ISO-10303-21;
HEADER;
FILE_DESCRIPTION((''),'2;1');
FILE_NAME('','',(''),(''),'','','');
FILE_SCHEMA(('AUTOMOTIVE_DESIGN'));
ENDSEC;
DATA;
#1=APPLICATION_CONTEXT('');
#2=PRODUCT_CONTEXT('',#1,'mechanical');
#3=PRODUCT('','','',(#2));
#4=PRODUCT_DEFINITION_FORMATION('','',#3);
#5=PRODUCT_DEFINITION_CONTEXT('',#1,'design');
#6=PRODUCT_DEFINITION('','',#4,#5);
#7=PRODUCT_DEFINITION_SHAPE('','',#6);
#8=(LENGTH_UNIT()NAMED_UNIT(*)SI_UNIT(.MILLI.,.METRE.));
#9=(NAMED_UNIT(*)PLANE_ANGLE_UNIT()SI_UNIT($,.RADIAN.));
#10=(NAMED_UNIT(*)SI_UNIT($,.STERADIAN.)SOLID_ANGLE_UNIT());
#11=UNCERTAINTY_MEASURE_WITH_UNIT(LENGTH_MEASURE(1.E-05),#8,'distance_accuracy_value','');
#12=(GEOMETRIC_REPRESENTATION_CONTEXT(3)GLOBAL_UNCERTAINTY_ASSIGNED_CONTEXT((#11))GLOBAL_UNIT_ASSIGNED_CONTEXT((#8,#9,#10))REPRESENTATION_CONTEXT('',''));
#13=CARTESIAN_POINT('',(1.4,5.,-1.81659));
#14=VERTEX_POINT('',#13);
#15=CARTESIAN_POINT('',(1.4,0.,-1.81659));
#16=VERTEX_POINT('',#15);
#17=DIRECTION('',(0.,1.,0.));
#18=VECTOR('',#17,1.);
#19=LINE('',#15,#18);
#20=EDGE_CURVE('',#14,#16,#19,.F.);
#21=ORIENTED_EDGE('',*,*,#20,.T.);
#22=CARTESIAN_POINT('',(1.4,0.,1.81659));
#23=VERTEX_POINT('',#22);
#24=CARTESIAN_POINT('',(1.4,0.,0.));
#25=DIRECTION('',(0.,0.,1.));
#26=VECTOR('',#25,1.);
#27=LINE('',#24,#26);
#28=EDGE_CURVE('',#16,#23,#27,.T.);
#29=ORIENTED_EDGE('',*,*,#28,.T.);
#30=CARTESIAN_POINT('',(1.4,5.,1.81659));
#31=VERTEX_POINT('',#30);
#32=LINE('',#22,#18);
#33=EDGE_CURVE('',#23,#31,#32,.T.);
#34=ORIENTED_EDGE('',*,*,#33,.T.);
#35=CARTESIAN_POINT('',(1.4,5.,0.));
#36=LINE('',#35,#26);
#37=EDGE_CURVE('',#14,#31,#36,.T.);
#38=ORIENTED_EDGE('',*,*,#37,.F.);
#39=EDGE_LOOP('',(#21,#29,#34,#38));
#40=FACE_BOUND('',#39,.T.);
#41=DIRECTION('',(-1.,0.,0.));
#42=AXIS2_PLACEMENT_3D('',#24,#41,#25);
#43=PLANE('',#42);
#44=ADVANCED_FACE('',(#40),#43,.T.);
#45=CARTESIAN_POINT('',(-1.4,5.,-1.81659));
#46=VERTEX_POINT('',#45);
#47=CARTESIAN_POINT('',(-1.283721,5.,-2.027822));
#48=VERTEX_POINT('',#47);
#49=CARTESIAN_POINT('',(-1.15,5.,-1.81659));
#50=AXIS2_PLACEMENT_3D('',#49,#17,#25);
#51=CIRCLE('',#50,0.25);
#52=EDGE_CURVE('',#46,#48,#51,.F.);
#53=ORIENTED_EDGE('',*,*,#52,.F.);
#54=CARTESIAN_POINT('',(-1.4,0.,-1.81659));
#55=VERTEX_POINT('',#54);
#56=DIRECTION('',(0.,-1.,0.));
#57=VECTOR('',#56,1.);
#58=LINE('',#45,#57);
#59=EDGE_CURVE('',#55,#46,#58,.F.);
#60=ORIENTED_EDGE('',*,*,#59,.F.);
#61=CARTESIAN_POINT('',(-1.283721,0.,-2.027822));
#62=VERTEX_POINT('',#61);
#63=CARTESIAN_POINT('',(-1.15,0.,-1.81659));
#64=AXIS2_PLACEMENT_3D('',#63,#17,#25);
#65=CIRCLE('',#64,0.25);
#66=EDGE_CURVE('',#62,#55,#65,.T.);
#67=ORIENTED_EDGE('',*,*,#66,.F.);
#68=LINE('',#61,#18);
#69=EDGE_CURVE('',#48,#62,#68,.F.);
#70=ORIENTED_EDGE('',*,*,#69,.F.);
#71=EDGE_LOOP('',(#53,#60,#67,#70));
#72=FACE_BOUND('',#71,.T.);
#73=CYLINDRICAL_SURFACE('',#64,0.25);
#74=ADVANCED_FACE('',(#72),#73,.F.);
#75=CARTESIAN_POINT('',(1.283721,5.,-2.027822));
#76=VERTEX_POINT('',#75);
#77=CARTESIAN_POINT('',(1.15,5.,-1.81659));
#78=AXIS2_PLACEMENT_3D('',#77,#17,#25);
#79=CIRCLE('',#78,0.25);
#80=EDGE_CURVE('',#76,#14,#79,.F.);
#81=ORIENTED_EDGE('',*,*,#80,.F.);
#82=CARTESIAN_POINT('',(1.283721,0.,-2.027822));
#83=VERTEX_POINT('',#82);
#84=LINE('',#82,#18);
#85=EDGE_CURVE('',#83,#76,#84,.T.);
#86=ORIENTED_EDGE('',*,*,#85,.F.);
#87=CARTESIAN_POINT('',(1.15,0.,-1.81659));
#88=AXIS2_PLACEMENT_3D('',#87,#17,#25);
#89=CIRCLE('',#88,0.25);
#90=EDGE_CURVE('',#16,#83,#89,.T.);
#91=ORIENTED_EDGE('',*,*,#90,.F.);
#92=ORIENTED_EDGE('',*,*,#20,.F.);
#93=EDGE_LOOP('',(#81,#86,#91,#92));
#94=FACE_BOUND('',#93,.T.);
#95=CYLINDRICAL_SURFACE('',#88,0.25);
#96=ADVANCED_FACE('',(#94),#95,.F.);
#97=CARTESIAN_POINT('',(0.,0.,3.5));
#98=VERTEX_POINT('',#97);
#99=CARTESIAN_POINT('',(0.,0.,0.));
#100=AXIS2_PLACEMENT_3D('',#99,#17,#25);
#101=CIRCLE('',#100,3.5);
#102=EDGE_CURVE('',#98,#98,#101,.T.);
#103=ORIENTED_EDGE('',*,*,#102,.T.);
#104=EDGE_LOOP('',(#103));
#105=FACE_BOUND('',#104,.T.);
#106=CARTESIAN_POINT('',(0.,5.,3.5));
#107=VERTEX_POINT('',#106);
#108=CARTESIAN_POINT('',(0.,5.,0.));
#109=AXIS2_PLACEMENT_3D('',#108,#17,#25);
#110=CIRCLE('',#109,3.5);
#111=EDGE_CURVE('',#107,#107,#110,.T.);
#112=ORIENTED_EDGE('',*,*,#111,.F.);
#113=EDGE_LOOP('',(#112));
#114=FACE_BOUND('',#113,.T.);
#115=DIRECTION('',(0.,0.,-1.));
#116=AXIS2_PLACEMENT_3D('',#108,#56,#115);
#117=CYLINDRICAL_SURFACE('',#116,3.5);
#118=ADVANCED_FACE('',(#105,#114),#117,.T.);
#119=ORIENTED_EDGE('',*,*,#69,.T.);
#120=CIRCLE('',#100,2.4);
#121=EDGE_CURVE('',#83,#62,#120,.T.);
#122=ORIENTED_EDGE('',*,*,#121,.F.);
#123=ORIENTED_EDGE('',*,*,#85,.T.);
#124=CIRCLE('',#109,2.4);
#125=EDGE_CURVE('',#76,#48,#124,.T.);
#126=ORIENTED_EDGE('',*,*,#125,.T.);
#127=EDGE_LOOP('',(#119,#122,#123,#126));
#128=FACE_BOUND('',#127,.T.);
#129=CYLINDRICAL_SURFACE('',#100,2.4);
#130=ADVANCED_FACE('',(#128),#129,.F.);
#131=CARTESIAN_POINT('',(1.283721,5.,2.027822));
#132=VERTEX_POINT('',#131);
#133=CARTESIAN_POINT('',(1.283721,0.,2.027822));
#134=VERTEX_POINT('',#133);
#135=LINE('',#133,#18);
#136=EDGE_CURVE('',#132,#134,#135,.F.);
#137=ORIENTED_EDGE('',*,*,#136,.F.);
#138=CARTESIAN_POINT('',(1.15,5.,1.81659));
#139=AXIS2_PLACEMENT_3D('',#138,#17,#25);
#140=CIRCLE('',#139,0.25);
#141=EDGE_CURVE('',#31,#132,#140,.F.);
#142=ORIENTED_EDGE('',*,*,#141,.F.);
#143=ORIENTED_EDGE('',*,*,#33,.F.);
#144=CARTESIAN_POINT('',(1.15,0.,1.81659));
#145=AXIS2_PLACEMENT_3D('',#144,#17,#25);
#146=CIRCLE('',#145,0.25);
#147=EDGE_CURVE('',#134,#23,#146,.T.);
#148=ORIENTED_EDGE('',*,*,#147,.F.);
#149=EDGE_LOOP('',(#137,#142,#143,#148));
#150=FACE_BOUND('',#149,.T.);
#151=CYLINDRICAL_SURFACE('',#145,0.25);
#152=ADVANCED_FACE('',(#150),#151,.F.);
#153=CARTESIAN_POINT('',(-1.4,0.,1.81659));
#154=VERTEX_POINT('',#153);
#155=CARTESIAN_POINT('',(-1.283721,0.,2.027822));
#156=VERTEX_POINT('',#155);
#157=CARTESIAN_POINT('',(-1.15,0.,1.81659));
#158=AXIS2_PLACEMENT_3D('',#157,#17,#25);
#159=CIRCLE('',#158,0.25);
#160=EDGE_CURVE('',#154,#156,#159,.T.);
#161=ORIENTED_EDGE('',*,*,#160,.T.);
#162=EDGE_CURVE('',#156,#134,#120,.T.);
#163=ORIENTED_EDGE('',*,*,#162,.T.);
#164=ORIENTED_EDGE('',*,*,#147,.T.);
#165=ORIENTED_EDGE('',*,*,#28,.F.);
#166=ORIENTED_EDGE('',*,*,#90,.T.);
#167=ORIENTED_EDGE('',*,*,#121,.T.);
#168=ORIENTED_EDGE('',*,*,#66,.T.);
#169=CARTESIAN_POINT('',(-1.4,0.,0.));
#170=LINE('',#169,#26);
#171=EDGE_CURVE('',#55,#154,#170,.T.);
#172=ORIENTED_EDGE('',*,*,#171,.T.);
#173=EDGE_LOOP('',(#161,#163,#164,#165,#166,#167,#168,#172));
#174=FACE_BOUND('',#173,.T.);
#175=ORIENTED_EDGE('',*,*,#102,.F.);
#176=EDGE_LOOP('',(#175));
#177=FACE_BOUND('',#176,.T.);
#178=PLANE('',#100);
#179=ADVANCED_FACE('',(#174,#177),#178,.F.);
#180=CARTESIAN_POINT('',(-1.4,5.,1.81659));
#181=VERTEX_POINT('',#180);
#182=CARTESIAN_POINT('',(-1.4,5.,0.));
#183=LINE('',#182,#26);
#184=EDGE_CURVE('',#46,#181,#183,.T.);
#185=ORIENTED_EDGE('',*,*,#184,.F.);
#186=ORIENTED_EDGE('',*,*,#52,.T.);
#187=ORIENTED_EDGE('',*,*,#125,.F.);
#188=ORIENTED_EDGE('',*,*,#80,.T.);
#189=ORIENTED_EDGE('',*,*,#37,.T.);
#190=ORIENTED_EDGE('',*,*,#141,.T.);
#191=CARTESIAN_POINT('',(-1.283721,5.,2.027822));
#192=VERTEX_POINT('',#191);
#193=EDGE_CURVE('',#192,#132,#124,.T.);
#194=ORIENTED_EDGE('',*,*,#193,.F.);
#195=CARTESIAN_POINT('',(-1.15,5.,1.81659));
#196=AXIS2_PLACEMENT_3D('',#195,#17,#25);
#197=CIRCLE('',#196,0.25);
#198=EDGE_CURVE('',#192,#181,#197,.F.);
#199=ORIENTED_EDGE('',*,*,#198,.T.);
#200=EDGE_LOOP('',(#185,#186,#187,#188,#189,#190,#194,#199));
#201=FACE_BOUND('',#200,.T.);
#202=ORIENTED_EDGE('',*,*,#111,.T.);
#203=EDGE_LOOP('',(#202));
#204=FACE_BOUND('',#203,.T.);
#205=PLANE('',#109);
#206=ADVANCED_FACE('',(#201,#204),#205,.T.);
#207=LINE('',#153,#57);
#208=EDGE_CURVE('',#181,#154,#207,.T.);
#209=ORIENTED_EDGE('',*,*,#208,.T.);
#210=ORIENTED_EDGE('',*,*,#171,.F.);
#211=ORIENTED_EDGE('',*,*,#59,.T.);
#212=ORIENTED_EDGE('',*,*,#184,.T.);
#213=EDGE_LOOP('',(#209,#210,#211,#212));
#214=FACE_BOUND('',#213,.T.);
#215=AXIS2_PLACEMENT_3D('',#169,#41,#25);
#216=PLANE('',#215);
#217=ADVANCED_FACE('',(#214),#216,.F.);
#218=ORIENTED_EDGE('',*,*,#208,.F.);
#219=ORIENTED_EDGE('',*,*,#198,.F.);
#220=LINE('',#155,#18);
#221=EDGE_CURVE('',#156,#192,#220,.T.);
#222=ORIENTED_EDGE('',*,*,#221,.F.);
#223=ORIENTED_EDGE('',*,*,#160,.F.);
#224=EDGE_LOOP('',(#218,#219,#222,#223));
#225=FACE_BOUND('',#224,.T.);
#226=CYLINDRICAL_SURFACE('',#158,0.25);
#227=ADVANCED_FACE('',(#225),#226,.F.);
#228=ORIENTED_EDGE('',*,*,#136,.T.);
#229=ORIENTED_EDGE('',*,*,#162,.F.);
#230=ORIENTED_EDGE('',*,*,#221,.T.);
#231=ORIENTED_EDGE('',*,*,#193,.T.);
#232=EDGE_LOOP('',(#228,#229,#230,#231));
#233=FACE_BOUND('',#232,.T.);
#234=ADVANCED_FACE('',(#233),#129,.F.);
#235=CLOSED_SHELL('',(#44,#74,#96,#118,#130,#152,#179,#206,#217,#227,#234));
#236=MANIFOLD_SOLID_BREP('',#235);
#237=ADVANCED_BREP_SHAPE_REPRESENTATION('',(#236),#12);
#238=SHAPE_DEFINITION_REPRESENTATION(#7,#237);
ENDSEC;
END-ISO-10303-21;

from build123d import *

# Parameters (mm, degrees)
SKETCH1_R           = 3.5
BOSS_EXTRUDE1_DEPTH = 5
CUT_EXTRUDE1_DEPTH  = 5
FILLET1_R           = 0.25


with BuildPart() as part:
    # Sketch1 → Boss-Extrude1 (new body)
    with BuildSketch(Plane(origin=(0, 0, 0), x_dir=(1, 0, 0), z_dir=(0, 1, 0))):
        with Locations(Location((0, 0, 0), (0, 0, 270))):
            Circle(SKETCH1_R)
    extrude(amount=BOSS_EXTRUDE1_DEPTH)

    # Sketch2 → Cut-Extrude1 (cut)
    with BuildSketch(Plane(origin=(0, 5, 0), x_dir=(1, 0, 0), z_dir=(0, 1, 0))):
        with BuildLine():
            Line((1.4, -1.949358869), (1.4, 1.949358869))
            ThreePointArc((1.4, 1.949358869), (0, 2.4), (-1.4, 1.949358869))
            Line((-1.4, 1.949358869), (-1.4, -1.949358869))
            ThreePointArc((-1.4, -1.949358869), (0, -2.4), (1.4, -1.949358869))
        make_face()
    extrude(amount=-CUT_EXTRUDE1_DEPTH, mode=Mode.SUBTRACT)

    # Fillet1
    fillet1_edges = [part.edges().sort_by_distance(p)[0] for p in [
        (1.4, 2.5, 1.949358869),
        (-1.4, 2.5, 1.949358869),
        (-1.4, 2.5, -1.949358869),
        (1.4, 2.5, -1.949358869),
    ]]
    fillet(fillet1_edges, radius=FILLET1_R)


solid = part.part
